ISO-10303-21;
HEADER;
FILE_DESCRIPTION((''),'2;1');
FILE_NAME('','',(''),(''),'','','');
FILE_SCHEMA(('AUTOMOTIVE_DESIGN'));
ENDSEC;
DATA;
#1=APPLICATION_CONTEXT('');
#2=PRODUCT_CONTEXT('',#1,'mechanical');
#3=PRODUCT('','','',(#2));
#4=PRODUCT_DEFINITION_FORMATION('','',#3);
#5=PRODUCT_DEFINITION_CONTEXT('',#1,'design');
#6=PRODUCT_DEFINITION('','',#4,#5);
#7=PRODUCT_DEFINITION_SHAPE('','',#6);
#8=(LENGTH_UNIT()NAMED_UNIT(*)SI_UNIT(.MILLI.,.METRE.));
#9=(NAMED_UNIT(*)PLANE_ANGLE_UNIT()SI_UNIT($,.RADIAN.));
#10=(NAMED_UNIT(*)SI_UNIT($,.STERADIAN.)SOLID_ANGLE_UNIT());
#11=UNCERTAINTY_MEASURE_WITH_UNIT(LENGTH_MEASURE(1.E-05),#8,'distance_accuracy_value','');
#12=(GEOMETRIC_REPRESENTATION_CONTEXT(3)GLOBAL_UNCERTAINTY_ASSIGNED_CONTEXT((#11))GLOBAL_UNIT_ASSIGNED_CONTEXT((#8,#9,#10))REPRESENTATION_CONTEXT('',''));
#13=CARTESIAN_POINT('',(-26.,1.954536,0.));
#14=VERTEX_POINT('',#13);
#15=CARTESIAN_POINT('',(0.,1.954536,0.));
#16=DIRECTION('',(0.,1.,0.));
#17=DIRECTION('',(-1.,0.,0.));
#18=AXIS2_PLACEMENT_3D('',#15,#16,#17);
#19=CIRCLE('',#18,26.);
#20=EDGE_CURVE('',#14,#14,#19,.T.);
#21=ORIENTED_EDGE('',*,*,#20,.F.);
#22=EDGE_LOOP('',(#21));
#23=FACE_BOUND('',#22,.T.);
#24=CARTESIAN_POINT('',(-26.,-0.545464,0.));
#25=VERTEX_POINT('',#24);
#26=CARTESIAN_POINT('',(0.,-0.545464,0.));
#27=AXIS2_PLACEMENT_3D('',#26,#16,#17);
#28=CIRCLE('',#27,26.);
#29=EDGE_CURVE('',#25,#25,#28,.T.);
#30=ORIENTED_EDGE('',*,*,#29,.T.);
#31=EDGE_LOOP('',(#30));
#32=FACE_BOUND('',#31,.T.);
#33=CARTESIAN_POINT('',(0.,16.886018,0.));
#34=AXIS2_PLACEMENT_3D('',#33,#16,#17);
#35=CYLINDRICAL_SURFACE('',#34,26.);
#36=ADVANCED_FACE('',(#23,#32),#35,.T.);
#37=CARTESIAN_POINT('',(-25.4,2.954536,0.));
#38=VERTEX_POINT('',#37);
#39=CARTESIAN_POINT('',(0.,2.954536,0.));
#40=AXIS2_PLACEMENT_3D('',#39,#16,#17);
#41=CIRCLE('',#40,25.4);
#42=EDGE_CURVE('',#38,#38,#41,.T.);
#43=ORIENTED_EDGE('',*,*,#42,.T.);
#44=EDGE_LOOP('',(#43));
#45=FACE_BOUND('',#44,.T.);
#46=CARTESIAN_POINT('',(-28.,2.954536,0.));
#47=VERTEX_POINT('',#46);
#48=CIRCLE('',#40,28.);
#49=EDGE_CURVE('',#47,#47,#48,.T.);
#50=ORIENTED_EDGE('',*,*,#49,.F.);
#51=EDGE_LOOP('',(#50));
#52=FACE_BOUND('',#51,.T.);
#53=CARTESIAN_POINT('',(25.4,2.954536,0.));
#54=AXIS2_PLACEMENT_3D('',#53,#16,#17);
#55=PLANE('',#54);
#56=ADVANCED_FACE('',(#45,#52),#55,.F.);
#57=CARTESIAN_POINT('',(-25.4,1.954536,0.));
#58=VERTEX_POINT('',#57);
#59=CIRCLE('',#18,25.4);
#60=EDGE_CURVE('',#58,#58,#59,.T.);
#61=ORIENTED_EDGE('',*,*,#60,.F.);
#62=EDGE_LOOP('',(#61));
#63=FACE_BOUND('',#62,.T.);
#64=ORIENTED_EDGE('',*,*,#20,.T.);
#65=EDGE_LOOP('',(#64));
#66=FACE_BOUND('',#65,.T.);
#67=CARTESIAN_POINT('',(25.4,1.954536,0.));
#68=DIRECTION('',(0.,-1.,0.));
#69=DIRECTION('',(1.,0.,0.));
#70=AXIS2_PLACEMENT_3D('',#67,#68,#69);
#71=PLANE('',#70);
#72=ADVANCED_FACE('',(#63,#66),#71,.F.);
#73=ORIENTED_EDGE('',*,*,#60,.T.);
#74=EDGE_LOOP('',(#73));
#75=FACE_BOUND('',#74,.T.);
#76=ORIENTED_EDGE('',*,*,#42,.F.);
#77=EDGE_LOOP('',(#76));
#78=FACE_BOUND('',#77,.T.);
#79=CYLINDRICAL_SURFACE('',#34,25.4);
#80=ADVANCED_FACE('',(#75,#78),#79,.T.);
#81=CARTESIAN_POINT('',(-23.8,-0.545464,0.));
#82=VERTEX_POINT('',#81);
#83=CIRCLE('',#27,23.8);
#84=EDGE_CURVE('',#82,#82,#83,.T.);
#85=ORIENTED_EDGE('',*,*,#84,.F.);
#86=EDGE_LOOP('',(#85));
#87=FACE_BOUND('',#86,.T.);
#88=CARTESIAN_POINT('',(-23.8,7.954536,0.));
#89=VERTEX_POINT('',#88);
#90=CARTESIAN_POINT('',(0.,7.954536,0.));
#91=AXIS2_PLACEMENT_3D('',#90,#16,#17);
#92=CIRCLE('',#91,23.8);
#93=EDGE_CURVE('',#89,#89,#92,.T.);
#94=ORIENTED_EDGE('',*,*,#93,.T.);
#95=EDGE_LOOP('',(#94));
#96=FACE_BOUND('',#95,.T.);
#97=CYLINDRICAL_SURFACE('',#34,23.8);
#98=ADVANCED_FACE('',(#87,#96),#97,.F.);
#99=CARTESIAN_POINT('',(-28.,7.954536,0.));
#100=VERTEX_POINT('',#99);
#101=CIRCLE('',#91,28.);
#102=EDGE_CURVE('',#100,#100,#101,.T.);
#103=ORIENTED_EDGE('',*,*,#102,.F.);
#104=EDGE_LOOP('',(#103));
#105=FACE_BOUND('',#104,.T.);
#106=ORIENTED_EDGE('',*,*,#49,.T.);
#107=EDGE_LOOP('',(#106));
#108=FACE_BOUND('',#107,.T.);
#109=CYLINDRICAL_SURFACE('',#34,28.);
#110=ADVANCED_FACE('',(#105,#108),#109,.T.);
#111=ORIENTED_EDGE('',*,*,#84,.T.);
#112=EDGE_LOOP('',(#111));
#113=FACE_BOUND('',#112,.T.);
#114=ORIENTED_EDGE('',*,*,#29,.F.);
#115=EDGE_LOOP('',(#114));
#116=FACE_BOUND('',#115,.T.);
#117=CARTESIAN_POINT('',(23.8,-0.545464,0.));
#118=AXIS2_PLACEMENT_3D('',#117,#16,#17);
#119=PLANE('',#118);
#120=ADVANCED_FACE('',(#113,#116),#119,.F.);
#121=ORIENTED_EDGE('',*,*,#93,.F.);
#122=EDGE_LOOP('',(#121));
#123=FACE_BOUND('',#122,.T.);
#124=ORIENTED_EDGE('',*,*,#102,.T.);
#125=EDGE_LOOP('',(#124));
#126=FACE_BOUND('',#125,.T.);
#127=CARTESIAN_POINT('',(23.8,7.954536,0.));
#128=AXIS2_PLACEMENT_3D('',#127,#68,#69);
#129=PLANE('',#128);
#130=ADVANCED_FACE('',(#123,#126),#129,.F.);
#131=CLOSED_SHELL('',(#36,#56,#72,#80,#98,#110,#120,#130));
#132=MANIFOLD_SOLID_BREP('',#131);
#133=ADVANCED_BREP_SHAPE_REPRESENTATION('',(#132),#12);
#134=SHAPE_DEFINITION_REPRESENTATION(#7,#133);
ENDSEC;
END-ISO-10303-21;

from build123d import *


with BuildPart() as part:
    # 草图1 → 旋转1 (revolve)
    with BuildSketch(Plane.XY, mode=Mode.PRIVATE) as revolve_1_sk:
        Polygon((23.8, -0.545464411), (23.8, 7.954535589), (28, 7.954535589), (28, 2.954535589), (25.4, 2.954535589), (25.4, 1.954535589), (26, 1.954535589), (26, -0.545464411), align=None)
    revolve(revolve_1_sk.sketch.rotate(Axis((0, 16.886018237, 0), (0, -1, 0)), 180), axis=Axis((0, 16.886018237, 0), (0, -1, 0)))  # turned: the seam where the file's is


solid = part.part
